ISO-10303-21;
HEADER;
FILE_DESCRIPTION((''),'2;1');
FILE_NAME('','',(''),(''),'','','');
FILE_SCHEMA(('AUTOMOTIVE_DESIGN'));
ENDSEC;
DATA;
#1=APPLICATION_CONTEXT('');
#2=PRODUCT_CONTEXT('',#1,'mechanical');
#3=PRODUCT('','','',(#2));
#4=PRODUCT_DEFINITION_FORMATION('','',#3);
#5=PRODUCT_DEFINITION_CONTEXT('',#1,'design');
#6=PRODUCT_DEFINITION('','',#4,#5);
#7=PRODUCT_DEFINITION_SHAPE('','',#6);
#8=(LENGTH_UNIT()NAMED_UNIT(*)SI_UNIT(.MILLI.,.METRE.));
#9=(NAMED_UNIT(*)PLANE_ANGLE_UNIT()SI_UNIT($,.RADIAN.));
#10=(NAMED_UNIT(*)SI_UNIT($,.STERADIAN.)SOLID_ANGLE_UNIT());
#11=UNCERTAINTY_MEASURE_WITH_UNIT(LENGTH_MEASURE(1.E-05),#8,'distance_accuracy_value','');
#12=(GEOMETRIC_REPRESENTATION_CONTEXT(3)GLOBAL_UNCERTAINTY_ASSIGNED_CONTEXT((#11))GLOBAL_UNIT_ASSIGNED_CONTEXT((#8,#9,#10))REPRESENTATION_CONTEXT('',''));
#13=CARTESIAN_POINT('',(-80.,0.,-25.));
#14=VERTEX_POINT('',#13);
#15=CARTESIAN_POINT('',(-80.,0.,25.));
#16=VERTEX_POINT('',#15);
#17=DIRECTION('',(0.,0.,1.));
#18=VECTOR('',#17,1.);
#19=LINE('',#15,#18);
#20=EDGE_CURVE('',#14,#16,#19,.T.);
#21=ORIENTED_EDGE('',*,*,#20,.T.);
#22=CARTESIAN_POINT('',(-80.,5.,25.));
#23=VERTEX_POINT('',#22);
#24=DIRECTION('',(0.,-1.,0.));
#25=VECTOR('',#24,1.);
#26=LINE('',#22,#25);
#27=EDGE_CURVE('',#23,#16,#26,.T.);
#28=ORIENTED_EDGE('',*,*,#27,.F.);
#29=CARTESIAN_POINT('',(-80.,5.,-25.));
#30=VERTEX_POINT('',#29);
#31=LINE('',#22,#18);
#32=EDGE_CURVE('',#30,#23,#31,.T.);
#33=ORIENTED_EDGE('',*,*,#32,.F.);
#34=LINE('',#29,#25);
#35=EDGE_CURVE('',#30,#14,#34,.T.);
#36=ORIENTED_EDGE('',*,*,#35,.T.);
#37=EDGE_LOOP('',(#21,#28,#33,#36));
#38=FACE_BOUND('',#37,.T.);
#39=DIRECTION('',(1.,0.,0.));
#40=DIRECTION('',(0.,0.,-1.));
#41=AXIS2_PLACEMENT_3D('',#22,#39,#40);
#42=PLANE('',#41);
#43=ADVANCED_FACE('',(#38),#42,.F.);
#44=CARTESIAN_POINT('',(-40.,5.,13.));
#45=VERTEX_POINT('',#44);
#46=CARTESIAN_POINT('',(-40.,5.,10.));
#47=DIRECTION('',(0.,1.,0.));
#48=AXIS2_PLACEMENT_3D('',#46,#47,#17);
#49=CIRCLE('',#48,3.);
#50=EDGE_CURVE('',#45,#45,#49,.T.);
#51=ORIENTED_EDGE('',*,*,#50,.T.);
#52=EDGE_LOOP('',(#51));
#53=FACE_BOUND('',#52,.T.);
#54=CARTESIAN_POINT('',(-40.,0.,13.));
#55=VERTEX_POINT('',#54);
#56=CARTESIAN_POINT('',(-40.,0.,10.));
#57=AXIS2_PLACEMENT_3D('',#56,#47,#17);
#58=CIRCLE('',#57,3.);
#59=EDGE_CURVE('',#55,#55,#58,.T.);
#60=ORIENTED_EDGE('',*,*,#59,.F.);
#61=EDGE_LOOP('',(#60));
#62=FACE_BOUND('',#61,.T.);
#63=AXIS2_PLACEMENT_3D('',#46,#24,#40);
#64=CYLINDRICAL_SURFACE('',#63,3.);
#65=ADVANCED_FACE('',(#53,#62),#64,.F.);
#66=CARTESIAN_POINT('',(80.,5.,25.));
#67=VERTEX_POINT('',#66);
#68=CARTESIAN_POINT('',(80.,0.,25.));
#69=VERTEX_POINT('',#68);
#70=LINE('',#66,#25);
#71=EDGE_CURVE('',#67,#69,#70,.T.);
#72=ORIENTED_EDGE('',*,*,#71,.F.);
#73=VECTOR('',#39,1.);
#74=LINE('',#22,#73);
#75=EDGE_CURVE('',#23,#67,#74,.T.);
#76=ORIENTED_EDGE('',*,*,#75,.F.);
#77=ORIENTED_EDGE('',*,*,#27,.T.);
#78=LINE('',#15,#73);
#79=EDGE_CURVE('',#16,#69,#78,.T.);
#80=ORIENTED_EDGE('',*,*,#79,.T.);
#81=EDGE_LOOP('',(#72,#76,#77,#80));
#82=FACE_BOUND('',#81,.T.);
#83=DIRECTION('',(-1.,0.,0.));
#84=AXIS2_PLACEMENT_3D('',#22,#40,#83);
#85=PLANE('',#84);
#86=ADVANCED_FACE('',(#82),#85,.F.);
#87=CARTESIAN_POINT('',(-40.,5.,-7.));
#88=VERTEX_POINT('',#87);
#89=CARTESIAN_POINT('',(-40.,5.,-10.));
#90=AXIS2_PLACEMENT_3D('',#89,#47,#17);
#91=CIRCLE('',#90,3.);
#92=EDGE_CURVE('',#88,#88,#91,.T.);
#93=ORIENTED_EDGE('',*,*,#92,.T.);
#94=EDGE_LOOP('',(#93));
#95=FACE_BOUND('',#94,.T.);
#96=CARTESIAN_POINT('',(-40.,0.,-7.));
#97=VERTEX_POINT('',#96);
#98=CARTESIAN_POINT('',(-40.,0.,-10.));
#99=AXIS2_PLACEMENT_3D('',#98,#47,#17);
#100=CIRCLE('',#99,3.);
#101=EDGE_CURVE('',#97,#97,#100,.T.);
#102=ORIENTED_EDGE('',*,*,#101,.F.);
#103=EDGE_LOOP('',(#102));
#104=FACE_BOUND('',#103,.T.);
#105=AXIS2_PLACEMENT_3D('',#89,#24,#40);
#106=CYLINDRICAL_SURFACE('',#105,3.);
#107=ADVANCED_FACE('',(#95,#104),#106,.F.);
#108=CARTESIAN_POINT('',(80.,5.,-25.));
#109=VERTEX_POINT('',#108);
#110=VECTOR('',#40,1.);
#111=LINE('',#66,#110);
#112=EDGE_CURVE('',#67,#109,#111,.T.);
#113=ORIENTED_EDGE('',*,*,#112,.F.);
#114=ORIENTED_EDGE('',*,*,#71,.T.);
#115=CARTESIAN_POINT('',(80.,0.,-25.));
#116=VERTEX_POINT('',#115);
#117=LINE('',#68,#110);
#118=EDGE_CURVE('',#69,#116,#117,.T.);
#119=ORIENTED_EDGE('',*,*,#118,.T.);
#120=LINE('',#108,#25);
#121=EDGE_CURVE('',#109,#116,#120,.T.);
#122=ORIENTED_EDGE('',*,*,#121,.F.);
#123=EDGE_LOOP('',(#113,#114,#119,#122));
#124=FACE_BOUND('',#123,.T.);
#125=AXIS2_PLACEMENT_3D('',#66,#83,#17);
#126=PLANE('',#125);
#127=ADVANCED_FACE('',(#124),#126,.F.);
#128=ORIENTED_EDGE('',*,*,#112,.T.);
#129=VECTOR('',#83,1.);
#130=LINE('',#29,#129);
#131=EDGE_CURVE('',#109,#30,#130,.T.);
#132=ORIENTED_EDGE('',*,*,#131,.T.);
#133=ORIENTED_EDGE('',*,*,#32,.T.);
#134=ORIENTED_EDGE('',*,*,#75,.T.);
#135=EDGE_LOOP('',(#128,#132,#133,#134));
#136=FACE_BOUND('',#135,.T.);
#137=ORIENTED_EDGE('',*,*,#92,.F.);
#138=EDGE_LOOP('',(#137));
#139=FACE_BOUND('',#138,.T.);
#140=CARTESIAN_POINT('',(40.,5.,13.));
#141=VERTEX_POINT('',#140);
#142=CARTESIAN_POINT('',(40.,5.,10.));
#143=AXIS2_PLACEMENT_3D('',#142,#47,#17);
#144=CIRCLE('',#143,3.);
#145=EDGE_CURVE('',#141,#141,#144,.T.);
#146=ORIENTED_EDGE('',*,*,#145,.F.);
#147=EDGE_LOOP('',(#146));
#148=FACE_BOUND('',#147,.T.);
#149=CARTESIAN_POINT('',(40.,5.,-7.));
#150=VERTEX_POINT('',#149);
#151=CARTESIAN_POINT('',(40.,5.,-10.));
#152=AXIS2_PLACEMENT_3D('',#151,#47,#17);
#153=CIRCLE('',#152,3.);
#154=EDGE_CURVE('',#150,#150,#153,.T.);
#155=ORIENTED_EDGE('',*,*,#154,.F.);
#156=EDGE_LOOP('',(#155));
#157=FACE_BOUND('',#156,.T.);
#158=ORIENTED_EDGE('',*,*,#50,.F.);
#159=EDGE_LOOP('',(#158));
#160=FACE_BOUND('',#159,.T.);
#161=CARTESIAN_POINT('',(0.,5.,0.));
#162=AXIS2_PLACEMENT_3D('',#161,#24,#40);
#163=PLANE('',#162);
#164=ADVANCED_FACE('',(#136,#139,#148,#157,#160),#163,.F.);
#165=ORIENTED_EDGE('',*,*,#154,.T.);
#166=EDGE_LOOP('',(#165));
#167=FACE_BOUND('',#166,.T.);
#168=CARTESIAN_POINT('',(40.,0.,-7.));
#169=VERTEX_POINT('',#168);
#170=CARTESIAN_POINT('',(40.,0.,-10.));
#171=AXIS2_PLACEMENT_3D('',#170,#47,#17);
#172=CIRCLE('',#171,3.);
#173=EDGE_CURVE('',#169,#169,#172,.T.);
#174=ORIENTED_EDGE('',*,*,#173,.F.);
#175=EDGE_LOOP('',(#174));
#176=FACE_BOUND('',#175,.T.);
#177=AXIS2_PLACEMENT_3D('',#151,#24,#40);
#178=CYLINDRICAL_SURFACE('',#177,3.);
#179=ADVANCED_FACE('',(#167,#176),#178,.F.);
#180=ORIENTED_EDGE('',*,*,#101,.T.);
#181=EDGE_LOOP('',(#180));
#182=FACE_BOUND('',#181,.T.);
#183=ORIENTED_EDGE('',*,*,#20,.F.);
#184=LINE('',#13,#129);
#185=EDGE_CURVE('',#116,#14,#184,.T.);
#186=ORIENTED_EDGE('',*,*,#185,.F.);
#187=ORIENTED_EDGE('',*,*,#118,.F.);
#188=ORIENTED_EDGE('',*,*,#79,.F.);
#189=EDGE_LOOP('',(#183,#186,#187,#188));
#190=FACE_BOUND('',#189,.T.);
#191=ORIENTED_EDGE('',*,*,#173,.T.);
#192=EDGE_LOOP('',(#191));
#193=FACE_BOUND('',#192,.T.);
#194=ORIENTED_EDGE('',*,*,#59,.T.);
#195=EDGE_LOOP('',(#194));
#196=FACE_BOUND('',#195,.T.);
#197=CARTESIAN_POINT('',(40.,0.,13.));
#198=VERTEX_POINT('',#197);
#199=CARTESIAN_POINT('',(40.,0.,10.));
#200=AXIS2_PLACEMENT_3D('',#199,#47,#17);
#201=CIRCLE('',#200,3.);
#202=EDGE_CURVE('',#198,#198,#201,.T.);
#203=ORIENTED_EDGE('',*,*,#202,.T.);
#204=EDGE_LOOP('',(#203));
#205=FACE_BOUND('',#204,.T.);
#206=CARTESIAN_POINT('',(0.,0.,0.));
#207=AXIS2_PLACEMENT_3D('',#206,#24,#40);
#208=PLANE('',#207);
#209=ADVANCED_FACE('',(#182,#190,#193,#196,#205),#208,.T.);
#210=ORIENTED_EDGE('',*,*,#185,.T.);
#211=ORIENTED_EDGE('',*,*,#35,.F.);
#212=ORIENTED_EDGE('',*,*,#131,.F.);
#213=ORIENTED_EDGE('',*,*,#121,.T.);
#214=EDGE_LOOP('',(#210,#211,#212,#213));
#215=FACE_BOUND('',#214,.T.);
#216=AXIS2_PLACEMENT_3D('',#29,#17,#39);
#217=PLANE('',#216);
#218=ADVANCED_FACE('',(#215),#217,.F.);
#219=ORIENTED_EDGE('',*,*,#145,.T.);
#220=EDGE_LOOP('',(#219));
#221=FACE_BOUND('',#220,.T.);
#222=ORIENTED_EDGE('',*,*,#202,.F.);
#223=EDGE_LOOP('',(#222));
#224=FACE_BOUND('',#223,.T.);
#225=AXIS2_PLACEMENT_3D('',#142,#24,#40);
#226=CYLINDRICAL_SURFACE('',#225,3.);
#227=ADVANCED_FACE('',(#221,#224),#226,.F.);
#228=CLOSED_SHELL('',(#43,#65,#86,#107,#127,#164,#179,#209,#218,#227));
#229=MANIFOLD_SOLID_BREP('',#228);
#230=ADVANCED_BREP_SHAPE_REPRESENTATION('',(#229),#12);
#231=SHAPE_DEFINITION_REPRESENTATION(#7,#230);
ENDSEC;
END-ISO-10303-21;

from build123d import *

# Parameters (mm, degrees)
SKIZZE1_W                       = 160
SKIZZE1_H                       = 50
SKIZZE1_R                       = 3
AUFSATZ_LINEAR_AUSTRAGEN1_DEPTH = 5


with BuildPart() as part:
    # Skizze1 → Aufsatz-Linear austragen1 (new body)
    with BuildSketch(Plane(origin=(0, 0, 0), x_dir=(1, 0, 0), z_dir=(0, 1, 0))):
        Rectangle(SKIZZE1_W, SKIZZE1_H)
        with Locations(Location((-40, 10, 0), (0, 0, 270))):
            Circle(SKIZZE1_R, mode=Mode.SUBTRACT)
        with Locations(Location((-40, -10, 0), (0, 0, 270))):
            Circle(SKIZZE1_R, mode=Mode.SUBTRACT)
        with Locations(Location((40, 10, 0), (0, 0, 270))):
            Circle(SKIZZE1_R, mode=Mode.SUBTRACT)
        with Locations(Location((40, -10, 0), (0, 0, 270))):
            Circle(SKIZZE1_R, mode=Mode.SUBTRACT)
    extrude(amount=AUFSATZ_LINEAR_AUSTRAGEN1_DEPTH)


solid = part.part
